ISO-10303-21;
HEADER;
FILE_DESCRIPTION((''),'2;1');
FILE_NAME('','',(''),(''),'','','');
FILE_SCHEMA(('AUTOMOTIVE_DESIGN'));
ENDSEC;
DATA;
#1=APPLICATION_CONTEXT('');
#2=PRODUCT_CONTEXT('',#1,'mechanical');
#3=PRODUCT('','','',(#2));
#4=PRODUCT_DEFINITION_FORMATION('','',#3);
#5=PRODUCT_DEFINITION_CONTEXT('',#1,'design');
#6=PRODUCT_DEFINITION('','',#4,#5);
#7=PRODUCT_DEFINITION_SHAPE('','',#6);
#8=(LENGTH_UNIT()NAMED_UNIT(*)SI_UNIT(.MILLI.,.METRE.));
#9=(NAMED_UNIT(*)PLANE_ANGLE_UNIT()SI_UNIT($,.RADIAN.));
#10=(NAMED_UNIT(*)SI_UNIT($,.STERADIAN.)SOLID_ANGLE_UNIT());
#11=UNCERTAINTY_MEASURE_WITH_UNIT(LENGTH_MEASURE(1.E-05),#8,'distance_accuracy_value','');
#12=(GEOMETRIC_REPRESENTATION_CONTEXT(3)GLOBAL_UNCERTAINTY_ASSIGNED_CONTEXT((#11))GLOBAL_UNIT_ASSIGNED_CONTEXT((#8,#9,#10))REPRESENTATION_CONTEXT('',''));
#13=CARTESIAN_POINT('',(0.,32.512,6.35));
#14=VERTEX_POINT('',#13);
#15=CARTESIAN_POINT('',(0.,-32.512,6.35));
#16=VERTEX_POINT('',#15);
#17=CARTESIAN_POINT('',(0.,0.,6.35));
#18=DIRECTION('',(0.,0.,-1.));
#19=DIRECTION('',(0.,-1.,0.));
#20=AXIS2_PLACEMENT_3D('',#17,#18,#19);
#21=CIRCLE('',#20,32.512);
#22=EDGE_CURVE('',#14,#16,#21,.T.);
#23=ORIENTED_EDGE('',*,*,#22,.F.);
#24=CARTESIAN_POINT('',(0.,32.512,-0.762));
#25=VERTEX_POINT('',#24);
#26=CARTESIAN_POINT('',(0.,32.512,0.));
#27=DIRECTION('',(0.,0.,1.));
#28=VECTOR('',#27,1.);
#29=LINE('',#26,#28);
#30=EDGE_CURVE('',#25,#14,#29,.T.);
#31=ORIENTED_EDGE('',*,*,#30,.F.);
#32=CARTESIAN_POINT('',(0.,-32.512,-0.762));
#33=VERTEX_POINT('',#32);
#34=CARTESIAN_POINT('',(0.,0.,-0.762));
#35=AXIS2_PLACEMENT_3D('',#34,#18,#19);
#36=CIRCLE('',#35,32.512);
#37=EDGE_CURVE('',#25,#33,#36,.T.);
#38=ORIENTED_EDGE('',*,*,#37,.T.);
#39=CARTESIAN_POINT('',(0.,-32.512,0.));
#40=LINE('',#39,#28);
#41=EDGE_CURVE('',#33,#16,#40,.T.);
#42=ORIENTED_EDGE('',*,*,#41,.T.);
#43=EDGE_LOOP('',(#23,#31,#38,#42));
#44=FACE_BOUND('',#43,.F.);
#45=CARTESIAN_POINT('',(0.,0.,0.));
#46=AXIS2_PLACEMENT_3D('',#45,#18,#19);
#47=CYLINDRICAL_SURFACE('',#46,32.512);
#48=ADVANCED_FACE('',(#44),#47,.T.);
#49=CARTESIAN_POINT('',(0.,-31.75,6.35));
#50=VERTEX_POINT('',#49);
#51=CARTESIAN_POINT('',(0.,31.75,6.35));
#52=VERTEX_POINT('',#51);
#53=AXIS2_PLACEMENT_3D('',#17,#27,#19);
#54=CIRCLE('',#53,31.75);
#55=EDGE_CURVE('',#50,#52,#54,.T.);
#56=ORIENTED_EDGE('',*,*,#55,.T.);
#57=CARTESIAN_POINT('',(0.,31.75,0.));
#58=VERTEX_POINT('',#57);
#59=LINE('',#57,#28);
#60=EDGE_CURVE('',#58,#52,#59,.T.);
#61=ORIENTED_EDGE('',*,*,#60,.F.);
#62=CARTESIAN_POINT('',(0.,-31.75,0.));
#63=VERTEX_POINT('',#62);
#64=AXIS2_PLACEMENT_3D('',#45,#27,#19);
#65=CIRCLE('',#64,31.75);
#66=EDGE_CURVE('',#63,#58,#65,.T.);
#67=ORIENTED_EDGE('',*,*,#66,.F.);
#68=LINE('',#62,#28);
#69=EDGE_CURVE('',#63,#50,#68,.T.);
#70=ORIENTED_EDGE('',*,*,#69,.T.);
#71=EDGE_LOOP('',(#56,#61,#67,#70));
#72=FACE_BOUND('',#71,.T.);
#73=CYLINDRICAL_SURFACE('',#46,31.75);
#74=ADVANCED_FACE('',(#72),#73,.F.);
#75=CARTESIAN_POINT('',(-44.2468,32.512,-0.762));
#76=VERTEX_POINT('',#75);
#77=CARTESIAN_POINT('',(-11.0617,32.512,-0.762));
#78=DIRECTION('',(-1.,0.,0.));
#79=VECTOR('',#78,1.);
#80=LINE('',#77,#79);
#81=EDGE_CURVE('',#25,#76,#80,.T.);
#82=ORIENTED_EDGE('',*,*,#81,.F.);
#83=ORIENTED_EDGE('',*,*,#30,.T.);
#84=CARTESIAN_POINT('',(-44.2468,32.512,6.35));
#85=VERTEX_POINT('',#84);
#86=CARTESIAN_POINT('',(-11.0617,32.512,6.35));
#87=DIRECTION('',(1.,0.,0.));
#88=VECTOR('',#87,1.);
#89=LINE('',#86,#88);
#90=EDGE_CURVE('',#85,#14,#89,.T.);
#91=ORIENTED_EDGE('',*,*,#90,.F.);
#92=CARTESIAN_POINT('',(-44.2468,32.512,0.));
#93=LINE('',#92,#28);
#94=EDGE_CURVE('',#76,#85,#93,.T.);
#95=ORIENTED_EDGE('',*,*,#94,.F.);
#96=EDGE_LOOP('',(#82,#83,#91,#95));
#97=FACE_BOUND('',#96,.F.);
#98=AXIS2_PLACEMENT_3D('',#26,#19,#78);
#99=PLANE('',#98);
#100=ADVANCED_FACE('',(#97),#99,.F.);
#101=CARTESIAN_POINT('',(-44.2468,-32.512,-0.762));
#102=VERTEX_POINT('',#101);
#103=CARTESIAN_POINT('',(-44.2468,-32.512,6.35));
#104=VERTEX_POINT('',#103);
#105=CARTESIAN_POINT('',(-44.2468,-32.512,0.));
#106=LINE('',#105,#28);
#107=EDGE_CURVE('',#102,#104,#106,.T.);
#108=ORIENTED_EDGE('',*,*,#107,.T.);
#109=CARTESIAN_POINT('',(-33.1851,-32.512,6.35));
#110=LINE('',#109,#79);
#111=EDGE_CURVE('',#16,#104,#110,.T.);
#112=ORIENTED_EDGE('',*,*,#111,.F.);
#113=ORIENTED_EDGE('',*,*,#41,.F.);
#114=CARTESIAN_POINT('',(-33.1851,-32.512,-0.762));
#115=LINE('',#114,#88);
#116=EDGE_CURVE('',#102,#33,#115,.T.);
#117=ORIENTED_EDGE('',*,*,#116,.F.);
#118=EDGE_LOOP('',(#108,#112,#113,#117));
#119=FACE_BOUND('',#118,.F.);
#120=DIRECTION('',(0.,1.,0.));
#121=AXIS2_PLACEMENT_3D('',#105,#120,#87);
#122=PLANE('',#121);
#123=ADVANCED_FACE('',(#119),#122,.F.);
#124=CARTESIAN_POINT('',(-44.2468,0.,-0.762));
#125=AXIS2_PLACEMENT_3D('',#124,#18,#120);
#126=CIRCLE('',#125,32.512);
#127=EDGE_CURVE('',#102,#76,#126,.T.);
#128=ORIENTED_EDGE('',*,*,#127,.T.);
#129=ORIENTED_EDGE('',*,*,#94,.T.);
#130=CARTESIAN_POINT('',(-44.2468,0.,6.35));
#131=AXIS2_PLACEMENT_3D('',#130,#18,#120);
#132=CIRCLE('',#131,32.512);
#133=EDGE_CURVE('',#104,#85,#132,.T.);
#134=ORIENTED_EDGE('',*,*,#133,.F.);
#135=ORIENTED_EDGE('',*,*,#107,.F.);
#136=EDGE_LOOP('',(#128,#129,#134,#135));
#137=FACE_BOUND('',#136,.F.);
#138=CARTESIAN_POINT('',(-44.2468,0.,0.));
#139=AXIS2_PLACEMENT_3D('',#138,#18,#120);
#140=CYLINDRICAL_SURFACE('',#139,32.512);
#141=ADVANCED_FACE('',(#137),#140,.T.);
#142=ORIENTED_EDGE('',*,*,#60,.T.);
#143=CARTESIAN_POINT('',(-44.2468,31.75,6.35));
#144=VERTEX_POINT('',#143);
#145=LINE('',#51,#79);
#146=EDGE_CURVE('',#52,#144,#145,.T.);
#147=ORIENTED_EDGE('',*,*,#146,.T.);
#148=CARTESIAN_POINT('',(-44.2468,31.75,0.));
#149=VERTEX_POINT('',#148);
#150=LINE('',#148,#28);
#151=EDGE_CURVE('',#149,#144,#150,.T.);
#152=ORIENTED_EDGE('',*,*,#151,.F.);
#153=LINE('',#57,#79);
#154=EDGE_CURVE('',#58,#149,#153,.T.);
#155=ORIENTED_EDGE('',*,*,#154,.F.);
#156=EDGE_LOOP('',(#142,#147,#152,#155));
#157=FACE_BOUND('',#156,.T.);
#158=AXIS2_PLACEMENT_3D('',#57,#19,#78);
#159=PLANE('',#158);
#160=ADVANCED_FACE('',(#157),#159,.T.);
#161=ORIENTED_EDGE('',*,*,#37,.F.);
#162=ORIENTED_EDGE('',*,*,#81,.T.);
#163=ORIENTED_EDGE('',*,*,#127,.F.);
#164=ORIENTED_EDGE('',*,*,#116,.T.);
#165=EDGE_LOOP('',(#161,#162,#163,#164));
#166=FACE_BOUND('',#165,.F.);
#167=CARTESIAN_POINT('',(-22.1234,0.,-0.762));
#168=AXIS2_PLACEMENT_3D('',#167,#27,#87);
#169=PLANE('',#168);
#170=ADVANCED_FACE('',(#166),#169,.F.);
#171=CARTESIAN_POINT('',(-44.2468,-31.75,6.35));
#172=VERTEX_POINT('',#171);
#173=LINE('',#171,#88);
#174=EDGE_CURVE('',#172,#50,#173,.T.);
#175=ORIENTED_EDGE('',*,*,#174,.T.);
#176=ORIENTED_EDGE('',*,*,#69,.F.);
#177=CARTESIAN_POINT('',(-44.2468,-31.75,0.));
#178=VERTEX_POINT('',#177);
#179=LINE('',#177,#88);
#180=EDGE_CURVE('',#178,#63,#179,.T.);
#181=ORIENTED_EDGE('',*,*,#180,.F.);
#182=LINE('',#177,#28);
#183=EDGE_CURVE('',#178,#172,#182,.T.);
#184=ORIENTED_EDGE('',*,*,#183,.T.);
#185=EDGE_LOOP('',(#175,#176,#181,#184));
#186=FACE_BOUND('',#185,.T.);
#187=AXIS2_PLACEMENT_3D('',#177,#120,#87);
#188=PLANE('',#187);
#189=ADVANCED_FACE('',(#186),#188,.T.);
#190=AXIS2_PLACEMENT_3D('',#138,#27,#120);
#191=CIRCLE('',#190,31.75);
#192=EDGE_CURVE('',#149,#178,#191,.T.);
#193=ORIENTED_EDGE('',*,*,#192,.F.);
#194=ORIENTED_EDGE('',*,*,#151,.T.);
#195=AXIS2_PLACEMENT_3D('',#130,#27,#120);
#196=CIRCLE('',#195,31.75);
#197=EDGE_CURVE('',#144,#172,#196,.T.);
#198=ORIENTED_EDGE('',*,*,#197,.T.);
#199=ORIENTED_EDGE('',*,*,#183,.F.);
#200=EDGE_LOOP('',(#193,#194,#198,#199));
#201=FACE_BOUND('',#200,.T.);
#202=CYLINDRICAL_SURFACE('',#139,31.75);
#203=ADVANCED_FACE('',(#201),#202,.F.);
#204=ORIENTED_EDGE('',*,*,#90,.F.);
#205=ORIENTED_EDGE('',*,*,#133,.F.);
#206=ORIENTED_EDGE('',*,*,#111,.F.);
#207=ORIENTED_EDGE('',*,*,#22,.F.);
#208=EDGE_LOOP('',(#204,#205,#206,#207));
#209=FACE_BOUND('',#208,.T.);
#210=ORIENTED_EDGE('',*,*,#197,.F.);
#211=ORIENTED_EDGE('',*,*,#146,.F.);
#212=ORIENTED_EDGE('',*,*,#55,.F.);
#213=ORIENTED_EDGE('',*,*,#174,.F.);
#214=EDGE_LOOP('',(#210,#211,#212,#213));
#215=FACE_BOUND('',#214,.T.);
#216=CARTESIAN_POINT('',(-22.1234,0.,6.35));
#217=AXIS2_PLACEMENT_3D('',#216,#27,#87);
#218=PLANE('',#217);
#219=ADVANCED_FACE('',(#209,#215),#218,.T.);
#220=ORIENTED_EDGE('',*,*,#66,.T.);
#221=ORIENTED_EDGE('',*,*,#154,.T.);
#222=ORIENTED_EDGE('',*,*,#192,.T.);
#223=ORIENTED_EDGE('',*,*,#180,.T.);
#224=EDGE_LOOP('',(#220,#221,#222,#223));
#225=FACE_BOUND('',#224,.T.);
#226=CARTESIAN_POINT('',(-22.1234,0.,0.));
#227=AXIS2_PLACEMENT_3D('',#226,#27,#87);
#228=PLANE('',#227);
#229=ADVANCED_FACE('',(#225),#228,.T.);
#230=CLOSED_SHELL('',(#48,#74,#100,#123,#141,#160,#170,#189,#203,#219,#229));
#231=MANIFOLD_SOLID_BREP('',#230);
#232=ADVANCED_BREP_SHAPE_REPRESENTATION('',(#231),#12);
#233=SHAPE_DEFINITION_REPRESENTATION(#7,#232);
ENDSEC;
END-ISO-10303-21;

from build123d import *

# Parameters (mm, degrees)
F1_DEPTH = 6.35
F2_T     = 0.762


with BuildPart() as f1:
    # F0 (on Top) → F1 (new body)
    with BuildSketch(Plane.XY):
        with BuildLine():
            Line((-44.2468, -31.75), (0, -31.75))
            ThreePointArc((0, -31.75), (31.75, 0), (0, 31.75))
            Line((0, 31.75), (-44.2468, 31.75))
            ThreePointArc((-44.2468, 31.75), (-75.9968, 0), (-44.2468, -31.75))
        make_face()
    extrude(amount=F1_DEPTH)

    # F2
    f2_openings = [f1.faces().sort_by_distance(p)[0] for p in [
        (-22.1234, 0, 6.35),
    ]]
    offset(amount=F2_T, openings=f2_openings, kind=Kind.INTERSECTION)


solid = f1.part
